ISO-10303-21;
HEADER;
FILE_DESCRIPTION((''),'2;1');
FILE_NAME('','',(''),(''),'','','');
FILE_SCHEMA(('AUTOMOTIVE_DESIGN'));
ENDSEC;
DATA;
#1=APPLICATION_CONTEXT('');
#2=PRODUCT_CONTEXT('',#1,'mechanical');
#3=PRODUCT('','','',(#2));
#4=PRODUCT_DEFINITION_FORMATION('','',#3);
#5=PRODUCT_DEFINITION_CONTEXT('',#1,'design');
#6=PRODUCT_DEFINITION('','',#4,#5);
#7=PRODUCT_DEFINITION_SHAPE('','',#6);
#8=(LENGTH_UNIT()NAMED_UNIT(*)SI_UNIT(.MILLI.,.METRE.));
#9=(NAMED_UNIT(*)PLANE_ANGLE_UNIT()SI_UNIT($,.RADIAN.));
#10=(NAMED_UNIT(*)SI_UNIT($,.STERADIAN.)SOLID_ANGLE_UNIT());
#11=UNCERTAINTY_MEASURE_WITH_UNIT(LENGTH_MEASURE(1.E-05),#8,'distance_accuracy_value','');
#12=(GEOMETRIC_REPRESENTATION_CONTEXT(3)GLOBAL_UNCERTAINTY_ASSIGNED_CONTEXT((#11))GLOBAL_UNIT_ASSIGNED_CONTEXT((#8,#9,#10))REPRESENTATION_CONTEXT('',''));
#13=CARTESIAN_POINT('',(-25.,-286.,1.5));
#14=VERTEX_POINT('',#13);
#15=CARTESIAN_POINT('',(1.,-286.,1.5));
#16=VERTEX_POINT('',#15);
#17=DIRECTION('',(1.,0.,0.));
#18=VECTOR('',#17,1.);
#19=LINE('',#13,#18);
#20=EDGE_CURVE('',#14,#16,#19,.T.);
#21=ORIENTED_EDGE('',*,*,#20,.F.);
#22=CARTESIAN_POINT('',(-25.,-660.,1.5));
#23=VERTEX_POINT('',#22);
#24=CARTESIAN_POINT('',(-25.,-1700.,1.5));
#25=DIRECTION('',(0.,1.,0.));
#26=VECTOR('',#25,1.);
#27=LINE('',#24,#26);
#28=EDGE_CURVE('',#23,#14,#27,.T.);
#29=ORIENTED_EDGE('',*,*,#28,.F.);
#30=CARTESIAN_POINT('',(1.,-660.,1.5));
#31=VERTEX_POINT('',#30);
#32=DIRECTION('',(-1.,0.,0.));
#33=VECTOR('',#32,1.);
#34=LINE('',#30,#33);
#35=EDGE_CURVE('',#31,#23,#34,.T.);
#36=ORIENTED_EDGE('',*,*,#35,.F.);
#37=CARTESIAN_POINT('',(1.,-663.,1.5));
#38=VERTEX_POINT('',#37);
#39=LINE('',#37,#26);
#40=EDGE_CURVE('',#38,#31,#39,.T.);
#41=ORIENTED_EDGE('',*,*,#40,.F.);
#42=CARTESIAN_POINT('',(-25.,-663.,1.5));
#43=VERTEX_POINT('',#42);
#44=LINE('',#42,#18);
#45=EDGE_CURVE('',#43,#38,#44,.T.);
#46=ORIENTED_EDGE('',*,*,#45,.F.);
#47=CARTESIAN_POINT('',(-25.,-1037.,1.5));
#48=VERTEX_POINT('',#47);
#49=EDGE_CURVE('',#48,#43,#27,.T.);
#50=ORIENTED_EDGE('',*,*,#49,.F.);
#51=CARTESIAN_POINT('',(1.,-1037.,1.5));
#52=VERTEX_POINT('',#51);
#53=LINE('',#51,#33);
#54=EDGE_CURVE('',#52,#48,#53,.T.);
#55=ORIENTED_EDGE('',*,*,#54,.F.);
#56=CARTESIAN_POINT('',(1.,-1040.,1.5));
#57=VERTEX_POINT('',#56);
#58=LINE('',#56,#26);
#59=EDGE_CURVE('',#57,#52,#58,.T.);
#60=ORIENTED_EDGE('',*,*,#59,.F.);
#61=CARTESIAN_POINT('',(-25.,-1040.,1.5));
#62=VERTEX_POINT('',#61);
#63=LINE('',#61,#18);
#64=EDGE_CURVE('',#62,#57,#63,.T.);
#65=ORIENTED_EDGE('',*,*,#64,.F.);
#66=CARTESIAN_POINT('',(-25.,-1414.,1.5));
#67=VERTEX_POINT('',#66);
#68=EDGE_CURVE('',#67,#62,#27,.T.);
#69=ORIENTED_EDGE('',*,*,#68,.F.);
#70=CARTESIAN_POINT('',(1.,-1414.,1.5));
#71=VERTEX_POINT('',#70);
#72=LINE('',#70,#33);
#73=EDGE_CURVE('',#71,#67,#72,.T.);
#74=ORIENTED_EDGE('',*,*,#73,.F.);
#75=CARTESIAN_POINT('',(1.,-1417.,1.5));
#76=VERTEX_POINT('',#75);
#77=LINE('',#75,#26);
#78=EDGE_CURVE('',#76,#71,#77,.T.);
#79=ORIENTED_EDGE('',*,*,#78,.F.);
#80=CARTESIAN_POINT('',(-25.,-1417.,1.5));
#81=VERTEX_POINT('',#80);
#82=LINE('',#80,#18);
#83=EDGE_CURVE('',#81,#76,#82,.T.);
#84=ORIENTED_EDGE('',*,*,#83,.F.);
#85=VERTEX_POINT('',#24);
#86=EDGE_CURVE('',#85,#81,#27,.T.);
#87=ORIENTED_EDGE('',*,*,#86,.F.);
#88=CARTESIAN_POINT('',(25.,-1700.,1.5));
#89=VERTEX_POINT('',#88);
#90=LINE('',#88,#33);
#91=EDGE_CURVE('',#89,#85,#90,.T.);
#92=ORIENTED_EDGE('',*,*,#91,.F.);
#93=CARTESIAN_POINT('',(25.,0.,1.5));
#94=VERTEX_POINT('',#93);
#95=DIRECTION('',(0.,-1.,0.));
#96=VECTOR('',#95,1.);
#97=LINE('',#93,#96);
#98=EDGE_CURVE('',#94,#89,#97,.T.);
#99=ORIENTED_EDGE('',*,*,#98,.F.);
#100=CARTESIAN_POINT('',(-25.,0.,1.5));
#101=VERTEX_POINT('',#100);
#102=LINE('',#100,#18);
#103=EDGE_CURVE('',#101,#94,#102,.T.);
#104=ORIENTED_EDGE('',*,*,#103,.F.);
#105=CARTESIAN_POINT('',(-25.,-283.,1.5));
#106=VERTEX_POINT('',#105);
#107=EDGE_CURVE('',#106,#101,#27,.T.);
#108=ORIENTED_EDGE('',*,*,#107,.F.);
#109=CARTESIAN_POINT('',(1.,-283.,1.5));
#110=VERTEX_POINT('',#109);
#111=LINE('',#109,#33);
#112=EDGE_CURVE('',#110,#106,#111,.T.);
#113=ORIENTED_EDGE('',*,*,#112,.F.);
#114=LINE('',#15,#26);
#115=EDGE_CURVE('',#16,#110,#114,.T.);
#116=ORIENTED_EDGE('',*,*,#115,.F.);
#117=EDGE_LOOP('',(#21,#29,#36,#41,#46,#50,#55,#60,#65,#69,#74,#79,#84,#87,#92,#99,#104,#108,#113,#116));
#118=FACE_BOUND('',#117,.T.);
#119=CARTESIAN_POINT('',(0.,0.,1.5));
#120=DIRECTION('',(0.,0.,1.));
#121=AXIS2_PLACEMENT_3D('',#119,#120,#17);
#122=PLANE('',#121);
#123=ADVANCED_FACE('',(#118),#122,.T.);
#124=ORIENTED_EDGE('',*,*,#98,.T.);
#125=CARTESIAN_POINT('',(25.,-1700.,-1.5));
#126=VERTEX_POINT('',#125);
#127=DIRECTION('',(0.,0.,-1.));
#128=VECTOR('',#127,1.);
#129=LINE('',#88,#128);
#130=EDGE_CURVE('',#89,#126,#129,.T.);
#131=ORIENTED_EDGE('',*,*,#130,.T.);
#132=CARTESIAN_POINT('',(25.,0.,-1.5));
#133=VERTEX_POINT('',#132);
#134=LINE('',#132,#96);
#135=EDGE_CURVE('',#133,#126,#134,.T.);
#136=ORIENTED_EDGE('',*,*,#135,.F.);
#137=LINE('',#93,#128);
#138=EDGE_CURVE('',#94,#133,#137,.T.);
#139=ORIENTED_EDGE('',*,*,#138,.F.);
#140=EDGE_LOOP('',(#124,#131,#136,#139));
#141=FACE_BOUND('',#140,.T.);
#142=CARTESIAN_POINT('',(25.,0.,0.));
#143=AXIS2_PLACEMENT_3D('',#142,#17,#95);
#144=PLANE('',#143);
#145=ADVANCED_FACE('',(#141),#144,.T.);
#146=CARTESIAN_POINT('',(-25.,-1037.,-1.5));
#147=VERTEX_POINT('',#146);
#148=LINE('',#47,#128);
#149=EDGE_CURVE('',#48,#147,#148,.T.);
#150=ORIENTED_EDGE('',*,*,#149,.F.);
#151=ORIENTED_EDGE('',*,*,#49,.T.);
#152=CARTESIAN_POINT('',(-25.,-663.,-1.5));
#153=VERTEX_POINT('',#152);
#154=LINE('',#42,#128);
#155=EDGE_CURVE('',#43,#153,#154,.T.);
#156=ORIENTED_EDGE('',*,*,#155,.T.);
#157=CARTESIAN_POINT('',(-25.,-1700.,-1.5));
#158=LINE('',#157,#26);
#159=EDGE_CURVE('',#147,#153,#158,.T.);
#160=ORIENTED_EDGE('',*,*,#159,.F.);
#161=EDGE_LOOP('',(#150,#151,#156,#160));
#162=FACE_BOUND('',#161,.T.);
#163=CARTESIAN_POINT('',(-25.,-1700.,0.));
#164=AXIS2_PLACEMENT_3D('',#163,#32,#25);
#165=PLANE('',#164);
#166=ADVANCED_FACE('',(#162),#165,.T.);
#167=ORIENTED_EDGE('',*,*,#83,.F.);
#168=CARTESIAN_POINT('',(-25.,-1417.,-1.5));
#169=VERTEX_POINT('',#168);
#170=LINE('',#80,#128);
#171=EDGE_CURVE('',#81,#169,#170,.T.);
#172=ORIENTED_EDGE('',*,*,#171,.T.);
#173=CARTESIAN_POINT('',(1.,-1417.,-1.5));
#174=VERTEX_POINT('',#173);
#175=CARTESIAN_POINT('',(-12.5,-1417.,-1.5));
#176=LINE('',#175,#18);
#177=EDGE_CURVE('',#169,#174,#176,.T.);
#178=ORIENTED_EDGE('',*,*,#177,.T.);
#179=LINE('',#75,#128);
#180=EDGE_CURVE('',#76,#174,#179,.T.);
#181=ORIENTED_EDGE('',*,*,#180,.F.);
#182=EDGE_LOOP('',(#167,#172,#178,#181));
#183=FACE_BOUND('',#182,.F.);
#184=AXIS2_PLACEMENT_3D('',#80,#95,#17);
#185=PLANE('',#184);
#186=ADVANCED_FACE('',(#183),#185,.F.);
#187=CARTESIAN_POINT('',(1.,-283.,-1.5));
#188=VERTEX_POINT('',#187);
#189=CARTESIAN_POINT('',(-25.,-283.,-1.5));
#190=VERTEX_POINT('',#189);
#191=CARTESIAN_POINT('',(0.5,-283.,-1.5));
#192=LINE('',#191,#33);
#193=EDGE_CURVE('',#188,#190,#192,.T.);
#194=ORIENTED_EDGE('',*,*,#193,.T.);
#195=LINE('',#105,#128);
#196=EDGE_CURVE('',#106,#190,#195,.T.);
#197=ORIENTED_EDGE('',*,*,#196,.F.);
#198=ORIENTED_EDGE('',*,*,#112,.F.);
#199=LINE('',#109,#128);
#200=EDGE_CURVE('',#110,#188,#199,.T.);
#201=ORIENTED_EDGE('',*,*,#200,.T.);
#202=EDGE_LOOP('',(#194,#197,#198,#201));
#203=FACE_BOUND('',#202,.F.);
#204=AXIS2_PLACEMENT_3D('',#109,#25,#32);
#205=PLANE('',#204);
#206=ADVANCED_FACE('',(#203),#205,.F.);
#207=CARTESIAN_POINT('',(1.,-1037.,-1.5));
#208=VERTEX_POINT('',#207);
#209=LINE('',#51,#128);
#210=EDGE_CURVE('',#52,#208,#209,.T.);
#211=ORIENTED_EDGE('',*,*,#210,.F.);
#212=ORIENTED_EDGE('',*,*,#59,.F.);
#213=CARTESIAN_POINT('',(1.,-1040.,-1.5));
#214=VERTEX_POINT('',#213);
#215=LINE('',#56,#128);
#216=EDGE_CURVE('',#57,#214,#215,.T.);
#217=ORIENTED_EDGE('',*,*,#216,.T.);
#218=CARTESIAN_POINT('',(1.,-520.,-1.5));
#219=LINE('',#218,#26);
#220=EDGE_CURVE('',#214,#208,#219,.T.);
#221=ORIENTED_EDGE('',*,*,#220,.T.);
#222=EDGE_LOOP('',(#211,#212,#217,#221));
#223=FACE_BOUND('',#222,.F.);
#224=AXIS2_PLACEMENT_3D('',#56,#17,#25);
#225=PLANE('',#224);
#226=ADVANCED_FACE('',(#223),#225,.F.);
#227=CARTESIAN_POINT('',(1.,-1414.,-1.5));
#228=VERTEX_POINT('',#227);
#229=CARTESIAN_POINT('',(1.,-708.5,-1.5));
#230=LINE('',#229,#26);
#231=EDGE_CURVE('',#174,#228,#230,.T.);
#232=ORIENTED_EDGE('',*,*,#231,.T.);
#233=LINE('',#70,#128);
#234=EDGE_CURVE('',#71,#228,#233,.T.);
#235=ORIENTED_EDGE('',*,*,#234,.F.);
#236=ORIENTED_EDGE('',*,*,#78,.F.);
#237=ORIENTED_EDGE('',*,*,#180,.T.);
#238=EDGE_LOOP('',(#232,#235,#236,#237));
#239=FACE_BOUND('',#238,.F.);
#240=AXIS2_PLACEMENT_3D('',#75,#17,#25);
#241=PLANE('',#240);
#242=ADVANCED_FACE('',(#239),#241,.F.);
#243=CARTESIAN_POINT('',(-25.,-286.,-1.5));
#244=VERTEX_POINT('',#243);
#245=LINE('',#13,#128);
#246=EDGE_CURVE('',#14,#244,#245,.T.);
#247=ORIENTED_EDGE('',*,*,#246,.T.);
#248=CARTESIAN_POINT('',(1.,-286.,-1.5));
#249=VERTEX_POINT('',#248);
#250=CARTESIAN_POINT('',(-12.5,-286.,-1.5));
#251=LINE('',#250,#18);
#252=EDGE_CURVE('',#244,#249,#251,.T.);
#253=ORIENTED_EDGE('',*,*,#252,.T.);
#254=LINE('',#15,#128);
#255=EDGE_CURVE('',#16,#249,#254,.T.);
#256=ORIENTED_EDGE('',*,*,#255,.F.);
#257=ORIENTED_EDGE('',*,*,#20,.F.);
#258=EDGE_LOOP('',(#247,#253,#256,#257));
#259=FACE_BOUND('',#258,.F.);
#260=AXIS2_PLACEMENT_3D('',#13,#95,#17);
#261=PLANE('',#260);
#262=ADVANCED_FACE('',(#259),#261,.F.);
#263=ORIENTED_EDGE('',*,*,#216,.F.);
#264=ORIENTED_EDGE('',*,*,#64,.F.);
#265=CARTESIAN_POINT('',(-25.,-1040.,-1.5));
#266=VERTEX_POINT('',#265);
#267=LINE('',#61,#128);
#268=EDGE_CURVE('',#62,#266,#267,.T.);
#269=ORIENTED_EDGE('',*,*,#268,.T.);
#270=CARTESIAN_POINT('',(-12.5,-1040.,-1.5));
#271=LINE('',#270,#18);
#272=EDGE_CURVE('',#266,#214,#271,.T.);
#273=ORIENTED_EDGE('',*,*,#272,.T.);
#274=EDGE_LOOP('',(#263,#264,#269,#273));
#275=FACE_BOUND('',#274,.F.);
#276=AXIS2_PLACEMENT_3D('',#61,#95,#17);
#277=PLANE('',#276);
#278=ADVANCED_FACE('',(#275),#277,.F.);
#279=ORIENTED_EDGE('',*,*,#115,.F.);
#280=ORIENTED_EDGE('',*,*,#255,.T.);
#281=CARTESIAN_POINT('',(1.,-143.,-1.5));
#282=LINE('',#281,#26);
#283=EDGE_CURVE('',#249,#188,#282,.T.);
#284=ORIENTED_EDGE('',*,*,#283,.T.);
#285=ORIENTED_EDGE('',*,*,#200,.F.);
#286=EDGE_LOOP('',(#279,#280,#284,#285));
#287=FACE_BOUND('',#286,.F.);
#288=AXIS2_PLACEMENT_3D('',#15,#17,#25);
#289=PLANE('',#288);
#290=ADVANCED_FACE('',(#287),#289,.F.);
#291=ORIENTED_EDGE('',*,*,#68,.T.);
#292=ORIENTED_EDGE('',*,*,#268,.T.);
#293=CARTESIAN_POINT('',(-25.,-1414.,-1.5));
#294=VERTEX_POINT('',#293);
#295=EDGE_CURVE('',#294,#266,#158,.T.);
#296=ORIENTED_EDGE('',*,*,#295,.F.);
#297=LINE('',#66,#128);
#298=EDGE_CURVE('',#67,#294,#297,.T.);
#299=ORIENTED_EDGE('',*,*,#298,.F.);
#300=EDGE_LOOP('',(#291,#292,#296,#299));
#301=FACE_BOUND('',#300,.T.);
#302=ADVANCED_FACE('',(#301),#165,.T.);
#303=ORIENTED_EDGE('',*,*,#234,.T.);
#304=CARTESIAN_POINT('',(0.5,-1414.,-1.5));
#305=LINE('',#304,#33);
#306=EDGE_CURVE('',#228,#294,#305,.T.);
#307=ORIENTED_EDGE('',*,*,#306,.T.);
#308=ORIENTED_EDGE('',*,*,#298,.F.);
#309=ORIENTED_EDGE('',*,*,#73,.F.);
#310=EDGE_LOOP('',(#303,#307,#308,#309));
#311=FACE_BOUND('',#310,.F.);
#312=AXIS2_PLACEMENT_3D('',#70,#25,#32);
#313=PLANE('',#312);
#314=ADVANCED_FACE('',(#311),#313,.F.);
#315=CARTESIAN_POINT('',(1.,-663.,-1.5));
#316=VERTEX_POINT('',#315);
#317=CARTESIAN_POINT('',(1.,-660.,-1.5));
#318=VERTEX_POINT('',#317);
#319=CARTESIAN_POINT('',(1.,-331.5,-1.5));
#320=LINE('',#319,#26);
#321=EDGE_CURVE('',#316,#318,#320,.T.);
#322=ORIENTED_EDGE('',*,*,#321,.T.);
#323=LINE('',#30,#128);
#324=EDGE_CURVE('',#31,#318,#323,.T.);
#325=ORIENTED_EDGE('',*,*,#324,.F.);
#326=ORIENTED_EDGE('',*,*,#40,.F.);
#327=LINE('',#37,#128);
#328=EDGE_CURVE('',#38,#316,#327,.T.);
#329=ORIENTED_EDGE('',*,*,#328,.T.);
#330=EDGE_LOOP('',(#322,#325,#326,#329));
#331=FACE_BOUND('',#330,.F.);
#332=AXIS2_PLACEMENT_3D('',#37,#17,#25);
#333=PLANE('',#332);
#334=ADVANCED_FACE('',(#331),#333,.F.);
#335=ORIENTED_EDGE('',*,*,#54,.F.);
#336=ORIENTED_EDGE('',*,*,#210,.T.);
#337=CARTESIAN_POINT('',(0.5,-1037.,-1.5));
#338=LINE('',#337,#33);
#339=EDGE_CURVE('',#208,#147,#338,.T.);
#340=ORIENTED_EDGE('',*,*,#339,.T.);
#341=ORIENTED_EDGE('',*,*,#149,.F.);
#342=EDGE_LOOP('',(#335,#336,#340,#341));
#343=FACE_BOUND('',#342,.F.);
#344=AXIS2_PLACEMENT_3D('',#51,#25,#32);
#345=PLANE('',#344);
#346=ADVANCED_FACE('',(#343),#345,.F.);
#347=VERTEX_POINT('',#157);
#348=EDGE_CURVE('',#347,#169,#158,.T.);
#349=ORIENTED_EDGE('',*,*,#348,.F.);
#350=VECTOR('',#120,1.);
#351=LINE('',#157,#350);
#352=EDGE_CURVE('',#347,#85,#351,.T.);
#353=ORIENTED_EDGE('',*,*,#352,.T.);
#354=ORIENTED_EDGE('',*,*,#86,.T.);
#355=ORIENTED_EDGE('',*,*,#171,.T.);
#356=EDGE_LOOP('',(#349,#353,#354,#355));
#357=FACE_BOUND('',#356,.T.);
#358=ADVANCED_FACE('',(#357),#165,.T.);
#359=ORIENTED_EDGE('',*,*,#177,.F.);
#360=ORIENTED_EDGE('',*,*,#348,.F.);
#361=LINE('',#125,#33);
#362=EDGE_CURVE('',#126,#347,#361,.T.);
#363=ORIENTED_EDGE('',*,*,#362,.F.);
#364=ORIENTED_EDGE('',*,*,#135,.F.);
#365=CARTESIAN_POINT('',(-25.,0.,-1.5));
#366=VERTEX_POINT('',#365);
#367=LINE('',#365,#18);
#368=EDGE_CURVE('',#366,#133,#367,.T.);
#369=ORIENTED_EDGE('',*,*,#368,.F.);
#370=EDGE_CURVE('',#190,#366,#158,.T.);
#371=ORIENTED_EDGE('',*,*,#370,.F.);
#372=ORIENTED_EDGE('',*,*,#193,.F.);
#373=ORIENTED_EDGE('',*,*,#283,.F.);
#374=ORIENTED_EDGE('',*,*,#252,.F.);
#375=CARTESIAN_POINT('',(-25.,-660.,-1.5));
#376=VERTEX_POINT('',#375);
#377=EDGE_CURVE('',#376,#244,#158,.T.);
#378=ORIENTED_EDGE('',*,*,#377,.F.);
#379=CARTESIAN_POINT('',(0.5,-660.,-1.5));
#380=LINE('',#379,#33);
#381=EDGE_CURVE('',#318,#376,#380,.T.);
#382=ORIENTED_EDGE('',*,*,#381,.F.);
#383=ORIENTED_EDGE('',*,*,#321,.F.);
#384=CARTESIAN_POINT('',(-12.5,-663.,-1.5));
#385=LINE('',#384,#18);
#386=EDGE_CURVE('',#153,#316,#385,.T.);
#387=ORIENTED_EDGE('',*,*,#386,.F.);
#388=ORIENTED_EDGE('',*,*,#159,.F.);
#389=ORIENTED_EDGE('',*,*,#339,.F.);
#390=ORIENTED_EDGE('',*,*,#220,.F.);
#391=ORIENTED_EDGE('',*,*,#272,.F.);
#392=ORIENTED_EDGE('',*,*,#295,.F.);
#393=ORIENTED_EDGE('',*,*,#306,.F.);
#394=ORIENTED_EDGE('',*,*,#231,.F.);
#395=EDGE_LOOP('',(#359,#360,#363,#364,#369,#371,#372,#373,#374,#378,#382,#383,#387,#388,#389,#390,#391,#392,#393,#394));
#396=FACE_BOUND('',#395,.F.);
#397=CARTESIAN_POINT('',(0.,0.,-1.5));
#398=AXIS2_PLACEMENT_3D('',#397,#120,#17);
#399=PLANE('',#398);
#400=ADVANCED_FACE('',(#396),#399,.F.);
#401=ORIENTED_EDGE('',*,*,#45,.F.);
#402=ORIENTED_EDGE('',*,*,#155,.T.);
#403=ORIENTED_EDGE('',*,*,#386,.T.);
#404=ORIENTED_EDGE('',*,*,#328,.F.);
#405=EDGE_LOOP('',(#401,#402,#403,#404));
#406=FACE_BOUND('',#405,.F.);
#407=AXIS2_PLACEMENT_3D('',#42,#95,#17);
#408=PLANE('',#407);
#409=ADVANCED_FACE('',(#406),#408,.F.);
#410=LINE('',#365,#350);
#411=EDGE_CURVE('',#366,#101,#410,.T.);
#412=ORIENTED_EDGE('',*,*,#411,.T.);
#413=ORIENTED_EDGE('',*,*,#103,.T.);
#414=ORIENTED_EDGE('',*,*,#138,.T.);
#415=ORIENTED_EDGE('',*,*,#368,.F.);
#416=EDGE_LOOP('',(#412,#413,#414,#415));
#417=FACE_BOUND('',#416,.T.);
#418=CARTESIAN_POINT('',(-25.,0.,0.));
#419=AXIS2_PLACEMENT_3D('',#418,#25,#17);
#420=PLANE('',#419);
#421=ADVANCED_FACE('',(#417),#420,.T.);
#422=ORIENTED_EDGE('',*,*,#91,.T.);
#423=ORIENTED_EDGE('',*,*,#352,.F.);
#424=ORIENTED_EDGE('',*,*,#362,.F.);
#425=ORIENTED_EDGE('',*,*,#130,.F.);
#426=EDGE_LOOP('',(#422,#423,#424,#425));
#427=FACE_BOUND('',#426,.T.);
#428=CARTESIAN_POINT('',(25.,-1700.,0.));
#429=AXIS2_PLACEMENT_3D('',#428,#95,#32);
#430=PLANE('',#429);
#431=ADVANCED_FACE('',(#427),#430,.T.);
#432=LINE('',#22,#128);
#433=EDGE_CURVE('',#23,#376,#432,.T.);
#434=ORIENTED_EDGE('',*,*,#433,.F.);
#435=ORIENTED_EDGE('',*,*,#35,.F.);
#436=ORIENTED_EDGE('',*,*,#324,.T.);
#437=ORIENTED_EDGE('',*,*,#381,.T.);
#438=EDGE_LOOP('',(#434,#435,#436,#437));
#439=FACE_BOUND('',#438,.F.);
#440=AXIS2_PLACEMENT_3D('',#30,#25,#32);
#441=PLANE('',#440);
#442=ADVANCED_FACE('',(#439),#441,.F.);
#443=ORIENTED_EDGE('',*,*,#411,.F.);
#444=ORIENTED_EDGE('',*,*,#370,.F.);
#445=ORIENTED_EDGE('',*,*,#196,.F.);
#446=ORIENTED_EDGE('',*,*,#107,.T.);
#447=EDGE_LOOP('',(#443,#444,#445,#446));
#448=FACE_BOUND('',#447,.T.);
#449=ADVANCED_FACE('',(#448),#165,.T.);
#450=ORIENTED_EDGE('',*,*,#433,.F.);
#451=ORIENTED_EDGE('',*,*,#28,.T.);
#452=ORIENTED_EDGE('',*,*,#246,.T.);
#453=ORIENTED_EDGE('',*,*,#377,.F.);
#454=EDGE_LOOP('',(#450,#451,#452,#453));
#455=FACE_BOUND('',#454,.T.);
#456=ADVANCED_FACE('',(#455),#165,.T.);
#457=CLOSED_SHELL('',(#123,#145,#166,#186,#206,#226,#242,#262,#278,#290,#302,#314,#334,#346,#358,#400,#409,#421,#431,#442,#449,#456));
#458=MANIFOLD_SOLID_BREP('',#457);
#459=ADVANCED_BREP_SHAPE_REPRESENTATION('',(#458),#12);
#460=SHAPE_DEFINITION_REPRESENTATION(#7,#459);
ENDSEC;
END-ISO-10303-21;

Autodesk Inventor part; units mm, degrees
ref_plane "YZ Plane" through (0, 0, 0) normal (1, 0, 0) x (0, 1, 0)
ref_plane "XZ Plane" through (0, 0, 0) normal (0, 1, 0) x (-1, 0, 0)
ref_plane "XY Plane" through (0, 0, 0) normal (0, 0, 1) x (1, 0, 0)
sketch "Sketch1" plane through (0, 0, 0) normal (0, 0, 1) x (1, 0, 0)
  line L0 (-25, 0) -> (25, 0)
  line L1 (25, 0) -> (25, -1700)
  line L2 (25, -1700) -> (-25, -1700)
  line L3 (-25, -1700) -> (-25, 0)
  point P0 (0, 0)
  point P1 (0, 0)
  point P2 (-25, -1153.2713)
  dimension "d0" = 50
  dimension "d1" = 1700
extrude "Plate1" add sketch "Sketch1" along normal mid plane 3
sketch "Sketch2" plane through (0, 0, 1.5) normal (0, 0, 1) x (1, 0, 0)
  line L0 (-25, -1040) -> (1, -1040)
  line L1 (1, -1040) -> (1, -1037)
  line L2 (1, -1037) -> (-25, -1037)
  line L3 (-25, -1037) -> (-25, -1040)
  line L4 (-25, -1700) -> (-25, 0) projected
  line L5 (-25, -1417) -> (1, -1417)
  line L6 (1, -1417) -> (1, -1414)
  line L7 (1, -1414) -> (-25, -1414)
  line L8 (-25, -1414) -> (-25, -1417)
  line L9 (-25, -663) -> (1, -663)
  line L10 (1, -663) -> (1, -660)
  line L11 (1, -660) -> (-25, -660)
  line L12 (-25, -660) -> (-25, -663)
  line L13 (-25, -286) -> (1, -286)
  line L14 (1, -286) -> (1, -283)
  line L15 (1, -283) -> (-25, -283)
  line L16 (-25, -283) -> (-25, -286)
  point P0 (0, 0)
  point P1 (-25, -1038.5)
  point P2 (-25, -850)
  point P3 (-25, -1415.5)
  point P4 (-25, -661.5)
  point P5 (-25, -850)
  point P6 (-25, -284.5)
  dimension "d15" = 26
  dimension "d16" = 3
  dimension "d17" = 188.5
  dimension "d20" = 26
  dimension "d21" = 3
  dimension "d22" = 377
  dimension "d23" = 26
  dimension "d24" = 3
  dimension "d25" = 188.5
  dimension "d26" = 377
  dimension "d27" = 3
  dimension "d28" = 26
extrude "Extrusion1" cut sketch "Sketch2" against normal through all
equation "\"d20\" = d15"
equation "\"d21\" = d16"
equation "\"d23\" = d15"
equation "\"d24\" = d16"
equation "\"d27\" = d24"
equation "\"d28\" = d23"
equation "\"d2\" = Thickness"
equation "\"BendReliefWidth\" = Thickness"
equation "\"BendReliefDepth\" = 0.5 * Thickness"
equation "\"CornerReliefSize\" = 4 * Thickness"
equation "\"MinimumRemnant\" = 2 * Thickness"
equation "\"TransitionRadius\" = BendRadius"
equation "\"JacobiRadiusSize\" = BendRadius"
equation "\"GapSize\" = Thickness"
equation "\"Thickness\" = 3"
equation "\"BendRadius\" = 5"
properties part number "MSC 604 rib cone exit back" material "Stainless Steel"
